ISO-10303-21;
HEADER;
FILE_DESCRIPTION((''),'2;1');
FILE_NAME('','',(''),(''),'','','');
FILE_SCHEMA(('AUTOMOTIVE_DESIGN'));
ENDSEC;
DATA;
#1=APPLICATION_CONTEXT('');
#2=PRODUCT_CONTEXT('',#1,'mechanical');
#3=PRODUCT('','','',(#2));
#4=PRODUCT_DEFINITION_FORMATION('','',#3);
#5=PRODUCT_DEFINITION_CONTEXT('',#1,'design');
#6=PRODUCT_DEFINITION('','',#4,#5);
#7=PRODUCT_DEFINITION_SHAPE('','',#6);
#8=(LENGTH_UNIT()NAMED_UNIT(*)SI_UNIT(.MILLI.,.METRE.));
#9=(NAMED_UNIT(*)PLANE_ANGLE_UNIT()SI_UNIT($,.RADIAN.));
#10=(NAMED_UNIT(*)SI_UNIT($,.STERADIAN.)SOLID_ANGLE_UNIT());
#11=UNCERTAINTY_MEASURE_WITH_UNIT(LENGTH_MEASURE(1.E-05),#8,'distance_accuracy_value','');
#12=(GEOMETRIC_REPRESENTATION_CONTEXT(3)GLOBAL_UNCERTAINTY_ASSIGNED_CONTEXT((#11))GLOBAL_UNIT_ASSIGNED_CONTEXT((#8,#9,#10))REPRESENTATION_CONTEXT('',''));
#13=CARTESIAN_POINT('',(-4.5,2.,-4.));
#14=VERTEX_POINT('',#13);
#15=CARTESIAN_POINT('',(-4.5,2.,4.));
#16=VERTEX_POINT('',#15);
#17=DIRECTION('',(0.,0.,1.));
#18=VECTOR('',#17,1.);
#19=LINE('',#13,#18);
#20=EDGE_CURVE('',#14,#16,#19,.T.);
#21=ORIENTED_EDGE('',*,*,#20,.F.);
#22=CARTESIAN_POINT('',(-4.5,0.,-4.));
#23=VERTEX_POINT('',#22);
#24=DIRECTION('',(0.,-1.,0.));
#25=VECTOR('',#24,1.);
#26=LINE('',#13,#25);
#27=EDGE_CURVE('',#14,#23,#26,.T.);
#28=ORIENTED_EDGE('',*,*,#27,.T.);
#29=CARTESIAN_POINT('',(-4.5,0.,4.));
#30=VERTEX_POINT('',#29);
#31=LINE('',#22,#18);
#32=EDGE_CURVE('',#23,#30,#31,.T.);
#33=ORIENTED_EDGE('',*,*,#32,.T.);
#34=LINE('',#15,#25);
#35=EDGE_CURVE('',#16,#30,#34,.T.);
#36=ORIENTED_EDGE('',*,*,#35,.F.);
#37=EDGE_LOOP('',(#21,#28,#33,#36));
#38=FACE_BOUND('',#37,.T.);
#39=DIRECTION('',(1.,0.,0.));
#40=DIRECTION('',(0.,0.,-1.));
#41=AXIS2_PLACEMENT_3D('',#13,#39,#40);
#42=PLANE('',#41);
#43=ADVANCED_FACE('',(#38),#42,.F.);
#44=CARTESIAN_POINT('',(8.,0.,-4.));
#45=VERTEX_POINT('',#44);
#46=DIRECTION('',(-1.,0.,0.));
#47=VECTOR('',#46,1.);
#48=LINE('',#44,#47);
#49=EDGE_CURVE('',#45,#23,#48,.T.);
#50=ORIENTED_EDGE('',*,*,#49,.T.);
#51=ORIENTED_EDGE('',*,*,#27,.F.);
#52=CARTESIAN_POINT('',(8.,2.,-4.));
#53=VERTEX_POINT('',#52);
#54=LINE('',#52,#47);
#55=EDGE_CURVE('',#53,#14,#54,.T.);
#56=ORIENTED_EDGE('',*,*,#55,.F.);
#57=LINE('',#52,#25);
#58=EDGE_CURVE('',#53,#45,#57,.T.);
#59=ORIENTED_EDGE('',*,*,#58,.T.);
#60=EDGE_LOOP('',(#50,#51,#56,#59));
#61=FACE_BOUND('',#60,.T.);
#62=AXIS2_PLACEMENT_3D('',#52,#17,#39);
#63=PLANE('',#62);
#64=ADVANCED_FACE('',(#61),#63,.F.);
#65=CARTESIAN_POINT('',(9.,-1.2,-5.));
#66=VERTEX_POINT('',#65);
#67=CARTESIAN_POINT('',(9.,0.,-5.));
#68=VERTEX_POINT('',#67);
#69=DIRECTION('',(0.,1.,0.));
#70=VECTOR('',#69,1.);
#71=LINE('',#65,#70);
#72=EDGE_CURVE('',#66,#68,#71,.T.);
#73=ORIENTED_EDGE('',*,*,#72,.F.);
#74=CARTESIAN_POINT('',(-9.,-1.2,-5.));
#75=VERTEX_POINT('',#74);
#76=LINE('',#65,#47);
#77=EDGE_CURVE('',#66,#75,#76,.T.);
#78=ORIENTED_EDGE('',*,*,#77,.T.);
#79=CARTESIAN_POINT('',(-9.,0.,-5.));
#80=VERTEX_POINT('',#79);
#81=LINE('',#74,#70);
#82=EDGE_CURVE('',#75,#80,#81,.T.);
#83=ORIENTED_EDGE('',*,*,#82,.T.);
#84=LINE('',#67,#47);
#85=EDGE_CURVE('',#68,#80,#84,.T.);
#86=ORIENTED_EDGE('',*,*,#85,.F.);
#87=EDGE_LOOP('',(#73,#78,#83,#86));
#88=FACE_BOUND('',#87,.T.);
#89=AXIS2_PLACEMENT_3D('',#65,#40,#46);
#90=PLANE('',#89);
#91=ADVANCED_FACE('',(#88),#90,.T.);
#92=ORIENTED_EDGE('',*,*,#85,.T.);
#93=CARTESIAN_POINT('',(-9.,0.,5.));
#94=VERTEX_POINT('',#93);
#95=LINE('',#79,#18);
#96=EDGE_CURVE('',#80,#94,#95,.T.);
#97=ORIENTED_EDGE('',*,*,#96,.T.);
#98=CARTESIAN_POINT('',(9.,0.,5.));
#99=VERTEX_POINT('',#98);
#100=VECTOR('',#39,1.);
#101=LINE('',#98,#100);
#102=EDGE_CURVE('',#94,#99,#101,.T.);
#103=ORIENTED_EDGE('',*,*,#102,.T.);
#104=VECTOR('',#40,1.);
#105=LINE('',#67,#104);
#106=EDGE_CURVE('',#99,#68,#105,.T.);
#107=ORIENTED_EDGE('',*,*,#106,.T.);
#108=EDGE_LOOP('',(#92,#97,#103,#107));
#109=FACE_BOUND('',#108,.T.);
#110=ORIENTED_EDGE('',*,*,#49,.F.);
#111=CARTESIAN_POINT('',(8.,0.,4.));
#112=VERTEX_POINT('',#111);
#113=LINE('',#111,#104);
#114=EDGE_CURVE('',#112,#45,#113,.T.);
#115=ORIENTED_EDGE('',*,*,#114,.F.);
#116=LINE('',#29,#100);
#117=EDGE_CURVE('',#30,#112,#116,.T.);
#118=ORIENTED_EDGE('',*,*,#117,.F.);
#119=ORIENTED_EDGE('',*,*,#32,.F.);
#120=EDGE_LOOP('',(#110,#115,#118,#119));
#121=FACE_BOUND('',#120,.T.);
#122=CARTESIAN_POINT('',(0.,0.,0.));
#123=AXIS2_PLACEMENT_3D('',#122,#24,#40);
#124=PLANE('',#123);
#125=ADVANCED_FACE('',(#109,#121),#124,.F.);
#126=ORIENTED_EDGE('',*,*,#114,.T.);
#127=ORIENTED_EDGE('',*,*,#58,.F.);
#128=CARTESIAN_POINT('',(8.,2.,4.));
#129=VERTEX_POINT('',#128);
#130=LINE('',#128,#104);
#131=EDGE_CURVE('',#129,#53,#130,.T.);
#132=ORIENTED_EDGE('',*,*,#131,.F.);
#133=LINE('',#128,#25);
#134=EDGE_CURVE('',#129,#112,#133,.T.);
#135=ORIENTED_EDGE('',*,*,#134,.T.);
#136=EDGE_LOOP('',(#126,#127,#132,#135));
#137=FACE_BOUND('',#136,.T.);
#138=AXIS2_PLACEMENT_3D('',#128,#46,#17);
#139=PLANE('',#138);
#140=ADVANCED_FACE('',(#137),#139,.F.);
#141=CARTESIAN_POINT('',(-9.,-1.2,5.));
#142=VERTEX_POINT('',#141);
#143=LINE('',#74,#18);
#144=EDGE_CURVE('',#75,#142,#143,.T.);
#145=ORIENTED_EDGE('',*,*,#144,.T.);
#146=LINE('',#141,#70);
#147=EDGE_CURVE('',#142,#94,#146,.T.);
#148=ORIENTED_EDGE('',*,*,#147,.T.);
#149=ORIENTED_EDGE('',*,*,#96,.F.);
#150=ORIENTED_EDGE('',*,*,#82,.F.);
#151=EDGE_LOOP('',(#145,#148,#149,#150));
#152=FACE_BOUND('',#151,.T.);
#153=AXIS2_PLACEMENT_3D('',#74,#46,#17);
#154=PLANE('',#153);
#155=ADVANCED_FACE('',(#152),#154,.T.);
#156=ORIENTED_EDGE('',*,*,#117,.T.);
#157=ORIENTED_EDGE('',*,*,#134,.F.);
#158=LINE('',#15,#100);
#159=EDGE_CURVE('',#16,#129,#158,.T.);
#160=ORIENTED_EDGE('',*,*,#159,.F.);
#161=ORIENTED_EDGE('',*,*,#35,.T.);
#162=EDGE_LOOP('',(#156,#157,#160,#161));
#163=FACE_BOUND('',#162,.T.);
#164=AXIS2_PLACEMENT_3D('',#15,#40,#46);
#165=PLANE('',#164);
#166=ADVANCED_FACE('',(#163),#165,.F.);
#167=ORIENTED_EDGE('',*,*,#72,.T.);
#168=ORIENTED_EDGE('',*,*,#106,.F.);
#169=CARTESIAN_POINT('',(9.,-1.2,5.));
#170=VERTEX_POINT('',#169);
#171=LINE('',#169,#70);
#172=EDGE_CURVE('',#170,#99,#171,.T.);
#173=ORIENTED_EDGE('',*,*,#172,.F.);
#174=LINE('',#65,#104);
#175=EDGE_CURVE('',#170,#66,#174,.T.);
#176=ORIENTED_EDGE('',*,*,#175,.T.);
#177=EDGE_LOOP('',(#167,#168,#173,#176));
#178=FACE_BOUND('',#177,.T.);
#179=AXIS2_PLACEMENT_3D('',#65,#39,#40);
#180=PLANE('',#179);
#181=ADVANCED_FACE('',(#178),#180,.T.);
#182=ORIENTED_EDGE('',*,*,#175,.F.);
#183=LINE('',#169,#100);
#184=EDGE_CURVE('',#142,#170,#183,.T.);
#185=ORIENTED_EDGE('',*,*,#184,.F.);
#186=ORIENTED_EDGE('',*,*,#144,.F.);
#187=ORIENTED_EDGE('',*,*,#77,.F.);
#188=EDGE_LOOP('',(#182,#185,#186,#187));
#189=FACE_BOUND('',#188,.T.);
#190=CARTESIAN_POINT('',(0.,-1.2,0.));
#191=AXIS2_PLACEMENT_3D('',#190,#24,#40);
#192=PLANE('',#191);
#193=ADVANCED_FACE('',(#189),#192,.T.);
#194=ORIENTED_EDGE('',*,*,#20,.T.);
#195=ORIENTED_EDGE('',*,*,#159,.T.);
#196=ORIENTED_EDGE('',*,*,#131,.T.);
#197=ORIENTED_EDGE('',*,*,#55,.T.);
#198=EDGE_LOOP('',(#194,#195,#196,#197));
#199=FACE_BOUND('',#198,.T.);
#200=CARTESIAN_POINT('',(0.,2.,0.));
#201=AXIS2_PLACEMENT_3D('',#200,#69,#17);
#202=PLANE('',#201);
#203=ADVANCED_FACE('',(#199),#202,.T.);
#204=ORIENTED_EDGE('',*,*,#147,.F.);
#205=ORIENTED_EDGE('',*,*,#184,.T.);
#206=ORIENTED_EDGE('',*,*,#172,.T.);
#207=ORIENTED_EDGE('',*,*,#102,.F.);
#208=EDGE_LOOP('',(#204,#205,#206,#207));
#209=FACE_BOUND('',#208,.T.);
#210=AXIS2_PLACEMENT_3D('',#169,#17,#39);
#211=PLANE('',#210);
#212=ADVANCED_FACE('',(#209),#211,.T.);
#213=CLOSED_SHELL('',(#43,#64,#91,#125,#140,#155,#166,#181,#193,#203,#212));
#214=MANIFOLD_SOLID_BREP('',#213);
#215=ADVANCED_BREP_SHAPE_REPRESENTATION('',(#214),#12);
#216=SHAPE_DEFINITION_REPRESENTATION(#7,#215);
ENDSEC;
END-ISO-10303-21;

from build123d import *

# Parameters (mm, degrees)
SKETCH1_W           = 18
SKETCH1_H           = 10
BOSS_EXTRUDE1_DEPTH = 1.2
SKETCH2_W           = 12.5
SKETCH2_H           = 8
BOSS_EXTRUDE2_DEPTH = 2


with BuildPart() as part:
    # Sketch1 → Boss-Extrude1 (new body)
    with BuildSketch(Plane(origin=(0, 0, 0), x_dir=(1, 0, 0), z_dir=(0, 1, 0))):
        Rectangle(SKETCH1_W, SKETCH1_H)
    extrude(amount=-BOSS_EXTRUDE1_DEPTH)

    # Sketch2 → Boss-Extrude2 (add)
    with BuildSketch(Plane(origin=(0, 0, 0), x_dir=(1, 0, 0), z_dir=(0, 1, 0))):
        with Locations((1.75, 0)):
            Rectangle(SKETCH2_W, SKETCH2_H)
    extrude(amount=BOSS_EXTRUDE2_DEPTH)


solid = part.part
